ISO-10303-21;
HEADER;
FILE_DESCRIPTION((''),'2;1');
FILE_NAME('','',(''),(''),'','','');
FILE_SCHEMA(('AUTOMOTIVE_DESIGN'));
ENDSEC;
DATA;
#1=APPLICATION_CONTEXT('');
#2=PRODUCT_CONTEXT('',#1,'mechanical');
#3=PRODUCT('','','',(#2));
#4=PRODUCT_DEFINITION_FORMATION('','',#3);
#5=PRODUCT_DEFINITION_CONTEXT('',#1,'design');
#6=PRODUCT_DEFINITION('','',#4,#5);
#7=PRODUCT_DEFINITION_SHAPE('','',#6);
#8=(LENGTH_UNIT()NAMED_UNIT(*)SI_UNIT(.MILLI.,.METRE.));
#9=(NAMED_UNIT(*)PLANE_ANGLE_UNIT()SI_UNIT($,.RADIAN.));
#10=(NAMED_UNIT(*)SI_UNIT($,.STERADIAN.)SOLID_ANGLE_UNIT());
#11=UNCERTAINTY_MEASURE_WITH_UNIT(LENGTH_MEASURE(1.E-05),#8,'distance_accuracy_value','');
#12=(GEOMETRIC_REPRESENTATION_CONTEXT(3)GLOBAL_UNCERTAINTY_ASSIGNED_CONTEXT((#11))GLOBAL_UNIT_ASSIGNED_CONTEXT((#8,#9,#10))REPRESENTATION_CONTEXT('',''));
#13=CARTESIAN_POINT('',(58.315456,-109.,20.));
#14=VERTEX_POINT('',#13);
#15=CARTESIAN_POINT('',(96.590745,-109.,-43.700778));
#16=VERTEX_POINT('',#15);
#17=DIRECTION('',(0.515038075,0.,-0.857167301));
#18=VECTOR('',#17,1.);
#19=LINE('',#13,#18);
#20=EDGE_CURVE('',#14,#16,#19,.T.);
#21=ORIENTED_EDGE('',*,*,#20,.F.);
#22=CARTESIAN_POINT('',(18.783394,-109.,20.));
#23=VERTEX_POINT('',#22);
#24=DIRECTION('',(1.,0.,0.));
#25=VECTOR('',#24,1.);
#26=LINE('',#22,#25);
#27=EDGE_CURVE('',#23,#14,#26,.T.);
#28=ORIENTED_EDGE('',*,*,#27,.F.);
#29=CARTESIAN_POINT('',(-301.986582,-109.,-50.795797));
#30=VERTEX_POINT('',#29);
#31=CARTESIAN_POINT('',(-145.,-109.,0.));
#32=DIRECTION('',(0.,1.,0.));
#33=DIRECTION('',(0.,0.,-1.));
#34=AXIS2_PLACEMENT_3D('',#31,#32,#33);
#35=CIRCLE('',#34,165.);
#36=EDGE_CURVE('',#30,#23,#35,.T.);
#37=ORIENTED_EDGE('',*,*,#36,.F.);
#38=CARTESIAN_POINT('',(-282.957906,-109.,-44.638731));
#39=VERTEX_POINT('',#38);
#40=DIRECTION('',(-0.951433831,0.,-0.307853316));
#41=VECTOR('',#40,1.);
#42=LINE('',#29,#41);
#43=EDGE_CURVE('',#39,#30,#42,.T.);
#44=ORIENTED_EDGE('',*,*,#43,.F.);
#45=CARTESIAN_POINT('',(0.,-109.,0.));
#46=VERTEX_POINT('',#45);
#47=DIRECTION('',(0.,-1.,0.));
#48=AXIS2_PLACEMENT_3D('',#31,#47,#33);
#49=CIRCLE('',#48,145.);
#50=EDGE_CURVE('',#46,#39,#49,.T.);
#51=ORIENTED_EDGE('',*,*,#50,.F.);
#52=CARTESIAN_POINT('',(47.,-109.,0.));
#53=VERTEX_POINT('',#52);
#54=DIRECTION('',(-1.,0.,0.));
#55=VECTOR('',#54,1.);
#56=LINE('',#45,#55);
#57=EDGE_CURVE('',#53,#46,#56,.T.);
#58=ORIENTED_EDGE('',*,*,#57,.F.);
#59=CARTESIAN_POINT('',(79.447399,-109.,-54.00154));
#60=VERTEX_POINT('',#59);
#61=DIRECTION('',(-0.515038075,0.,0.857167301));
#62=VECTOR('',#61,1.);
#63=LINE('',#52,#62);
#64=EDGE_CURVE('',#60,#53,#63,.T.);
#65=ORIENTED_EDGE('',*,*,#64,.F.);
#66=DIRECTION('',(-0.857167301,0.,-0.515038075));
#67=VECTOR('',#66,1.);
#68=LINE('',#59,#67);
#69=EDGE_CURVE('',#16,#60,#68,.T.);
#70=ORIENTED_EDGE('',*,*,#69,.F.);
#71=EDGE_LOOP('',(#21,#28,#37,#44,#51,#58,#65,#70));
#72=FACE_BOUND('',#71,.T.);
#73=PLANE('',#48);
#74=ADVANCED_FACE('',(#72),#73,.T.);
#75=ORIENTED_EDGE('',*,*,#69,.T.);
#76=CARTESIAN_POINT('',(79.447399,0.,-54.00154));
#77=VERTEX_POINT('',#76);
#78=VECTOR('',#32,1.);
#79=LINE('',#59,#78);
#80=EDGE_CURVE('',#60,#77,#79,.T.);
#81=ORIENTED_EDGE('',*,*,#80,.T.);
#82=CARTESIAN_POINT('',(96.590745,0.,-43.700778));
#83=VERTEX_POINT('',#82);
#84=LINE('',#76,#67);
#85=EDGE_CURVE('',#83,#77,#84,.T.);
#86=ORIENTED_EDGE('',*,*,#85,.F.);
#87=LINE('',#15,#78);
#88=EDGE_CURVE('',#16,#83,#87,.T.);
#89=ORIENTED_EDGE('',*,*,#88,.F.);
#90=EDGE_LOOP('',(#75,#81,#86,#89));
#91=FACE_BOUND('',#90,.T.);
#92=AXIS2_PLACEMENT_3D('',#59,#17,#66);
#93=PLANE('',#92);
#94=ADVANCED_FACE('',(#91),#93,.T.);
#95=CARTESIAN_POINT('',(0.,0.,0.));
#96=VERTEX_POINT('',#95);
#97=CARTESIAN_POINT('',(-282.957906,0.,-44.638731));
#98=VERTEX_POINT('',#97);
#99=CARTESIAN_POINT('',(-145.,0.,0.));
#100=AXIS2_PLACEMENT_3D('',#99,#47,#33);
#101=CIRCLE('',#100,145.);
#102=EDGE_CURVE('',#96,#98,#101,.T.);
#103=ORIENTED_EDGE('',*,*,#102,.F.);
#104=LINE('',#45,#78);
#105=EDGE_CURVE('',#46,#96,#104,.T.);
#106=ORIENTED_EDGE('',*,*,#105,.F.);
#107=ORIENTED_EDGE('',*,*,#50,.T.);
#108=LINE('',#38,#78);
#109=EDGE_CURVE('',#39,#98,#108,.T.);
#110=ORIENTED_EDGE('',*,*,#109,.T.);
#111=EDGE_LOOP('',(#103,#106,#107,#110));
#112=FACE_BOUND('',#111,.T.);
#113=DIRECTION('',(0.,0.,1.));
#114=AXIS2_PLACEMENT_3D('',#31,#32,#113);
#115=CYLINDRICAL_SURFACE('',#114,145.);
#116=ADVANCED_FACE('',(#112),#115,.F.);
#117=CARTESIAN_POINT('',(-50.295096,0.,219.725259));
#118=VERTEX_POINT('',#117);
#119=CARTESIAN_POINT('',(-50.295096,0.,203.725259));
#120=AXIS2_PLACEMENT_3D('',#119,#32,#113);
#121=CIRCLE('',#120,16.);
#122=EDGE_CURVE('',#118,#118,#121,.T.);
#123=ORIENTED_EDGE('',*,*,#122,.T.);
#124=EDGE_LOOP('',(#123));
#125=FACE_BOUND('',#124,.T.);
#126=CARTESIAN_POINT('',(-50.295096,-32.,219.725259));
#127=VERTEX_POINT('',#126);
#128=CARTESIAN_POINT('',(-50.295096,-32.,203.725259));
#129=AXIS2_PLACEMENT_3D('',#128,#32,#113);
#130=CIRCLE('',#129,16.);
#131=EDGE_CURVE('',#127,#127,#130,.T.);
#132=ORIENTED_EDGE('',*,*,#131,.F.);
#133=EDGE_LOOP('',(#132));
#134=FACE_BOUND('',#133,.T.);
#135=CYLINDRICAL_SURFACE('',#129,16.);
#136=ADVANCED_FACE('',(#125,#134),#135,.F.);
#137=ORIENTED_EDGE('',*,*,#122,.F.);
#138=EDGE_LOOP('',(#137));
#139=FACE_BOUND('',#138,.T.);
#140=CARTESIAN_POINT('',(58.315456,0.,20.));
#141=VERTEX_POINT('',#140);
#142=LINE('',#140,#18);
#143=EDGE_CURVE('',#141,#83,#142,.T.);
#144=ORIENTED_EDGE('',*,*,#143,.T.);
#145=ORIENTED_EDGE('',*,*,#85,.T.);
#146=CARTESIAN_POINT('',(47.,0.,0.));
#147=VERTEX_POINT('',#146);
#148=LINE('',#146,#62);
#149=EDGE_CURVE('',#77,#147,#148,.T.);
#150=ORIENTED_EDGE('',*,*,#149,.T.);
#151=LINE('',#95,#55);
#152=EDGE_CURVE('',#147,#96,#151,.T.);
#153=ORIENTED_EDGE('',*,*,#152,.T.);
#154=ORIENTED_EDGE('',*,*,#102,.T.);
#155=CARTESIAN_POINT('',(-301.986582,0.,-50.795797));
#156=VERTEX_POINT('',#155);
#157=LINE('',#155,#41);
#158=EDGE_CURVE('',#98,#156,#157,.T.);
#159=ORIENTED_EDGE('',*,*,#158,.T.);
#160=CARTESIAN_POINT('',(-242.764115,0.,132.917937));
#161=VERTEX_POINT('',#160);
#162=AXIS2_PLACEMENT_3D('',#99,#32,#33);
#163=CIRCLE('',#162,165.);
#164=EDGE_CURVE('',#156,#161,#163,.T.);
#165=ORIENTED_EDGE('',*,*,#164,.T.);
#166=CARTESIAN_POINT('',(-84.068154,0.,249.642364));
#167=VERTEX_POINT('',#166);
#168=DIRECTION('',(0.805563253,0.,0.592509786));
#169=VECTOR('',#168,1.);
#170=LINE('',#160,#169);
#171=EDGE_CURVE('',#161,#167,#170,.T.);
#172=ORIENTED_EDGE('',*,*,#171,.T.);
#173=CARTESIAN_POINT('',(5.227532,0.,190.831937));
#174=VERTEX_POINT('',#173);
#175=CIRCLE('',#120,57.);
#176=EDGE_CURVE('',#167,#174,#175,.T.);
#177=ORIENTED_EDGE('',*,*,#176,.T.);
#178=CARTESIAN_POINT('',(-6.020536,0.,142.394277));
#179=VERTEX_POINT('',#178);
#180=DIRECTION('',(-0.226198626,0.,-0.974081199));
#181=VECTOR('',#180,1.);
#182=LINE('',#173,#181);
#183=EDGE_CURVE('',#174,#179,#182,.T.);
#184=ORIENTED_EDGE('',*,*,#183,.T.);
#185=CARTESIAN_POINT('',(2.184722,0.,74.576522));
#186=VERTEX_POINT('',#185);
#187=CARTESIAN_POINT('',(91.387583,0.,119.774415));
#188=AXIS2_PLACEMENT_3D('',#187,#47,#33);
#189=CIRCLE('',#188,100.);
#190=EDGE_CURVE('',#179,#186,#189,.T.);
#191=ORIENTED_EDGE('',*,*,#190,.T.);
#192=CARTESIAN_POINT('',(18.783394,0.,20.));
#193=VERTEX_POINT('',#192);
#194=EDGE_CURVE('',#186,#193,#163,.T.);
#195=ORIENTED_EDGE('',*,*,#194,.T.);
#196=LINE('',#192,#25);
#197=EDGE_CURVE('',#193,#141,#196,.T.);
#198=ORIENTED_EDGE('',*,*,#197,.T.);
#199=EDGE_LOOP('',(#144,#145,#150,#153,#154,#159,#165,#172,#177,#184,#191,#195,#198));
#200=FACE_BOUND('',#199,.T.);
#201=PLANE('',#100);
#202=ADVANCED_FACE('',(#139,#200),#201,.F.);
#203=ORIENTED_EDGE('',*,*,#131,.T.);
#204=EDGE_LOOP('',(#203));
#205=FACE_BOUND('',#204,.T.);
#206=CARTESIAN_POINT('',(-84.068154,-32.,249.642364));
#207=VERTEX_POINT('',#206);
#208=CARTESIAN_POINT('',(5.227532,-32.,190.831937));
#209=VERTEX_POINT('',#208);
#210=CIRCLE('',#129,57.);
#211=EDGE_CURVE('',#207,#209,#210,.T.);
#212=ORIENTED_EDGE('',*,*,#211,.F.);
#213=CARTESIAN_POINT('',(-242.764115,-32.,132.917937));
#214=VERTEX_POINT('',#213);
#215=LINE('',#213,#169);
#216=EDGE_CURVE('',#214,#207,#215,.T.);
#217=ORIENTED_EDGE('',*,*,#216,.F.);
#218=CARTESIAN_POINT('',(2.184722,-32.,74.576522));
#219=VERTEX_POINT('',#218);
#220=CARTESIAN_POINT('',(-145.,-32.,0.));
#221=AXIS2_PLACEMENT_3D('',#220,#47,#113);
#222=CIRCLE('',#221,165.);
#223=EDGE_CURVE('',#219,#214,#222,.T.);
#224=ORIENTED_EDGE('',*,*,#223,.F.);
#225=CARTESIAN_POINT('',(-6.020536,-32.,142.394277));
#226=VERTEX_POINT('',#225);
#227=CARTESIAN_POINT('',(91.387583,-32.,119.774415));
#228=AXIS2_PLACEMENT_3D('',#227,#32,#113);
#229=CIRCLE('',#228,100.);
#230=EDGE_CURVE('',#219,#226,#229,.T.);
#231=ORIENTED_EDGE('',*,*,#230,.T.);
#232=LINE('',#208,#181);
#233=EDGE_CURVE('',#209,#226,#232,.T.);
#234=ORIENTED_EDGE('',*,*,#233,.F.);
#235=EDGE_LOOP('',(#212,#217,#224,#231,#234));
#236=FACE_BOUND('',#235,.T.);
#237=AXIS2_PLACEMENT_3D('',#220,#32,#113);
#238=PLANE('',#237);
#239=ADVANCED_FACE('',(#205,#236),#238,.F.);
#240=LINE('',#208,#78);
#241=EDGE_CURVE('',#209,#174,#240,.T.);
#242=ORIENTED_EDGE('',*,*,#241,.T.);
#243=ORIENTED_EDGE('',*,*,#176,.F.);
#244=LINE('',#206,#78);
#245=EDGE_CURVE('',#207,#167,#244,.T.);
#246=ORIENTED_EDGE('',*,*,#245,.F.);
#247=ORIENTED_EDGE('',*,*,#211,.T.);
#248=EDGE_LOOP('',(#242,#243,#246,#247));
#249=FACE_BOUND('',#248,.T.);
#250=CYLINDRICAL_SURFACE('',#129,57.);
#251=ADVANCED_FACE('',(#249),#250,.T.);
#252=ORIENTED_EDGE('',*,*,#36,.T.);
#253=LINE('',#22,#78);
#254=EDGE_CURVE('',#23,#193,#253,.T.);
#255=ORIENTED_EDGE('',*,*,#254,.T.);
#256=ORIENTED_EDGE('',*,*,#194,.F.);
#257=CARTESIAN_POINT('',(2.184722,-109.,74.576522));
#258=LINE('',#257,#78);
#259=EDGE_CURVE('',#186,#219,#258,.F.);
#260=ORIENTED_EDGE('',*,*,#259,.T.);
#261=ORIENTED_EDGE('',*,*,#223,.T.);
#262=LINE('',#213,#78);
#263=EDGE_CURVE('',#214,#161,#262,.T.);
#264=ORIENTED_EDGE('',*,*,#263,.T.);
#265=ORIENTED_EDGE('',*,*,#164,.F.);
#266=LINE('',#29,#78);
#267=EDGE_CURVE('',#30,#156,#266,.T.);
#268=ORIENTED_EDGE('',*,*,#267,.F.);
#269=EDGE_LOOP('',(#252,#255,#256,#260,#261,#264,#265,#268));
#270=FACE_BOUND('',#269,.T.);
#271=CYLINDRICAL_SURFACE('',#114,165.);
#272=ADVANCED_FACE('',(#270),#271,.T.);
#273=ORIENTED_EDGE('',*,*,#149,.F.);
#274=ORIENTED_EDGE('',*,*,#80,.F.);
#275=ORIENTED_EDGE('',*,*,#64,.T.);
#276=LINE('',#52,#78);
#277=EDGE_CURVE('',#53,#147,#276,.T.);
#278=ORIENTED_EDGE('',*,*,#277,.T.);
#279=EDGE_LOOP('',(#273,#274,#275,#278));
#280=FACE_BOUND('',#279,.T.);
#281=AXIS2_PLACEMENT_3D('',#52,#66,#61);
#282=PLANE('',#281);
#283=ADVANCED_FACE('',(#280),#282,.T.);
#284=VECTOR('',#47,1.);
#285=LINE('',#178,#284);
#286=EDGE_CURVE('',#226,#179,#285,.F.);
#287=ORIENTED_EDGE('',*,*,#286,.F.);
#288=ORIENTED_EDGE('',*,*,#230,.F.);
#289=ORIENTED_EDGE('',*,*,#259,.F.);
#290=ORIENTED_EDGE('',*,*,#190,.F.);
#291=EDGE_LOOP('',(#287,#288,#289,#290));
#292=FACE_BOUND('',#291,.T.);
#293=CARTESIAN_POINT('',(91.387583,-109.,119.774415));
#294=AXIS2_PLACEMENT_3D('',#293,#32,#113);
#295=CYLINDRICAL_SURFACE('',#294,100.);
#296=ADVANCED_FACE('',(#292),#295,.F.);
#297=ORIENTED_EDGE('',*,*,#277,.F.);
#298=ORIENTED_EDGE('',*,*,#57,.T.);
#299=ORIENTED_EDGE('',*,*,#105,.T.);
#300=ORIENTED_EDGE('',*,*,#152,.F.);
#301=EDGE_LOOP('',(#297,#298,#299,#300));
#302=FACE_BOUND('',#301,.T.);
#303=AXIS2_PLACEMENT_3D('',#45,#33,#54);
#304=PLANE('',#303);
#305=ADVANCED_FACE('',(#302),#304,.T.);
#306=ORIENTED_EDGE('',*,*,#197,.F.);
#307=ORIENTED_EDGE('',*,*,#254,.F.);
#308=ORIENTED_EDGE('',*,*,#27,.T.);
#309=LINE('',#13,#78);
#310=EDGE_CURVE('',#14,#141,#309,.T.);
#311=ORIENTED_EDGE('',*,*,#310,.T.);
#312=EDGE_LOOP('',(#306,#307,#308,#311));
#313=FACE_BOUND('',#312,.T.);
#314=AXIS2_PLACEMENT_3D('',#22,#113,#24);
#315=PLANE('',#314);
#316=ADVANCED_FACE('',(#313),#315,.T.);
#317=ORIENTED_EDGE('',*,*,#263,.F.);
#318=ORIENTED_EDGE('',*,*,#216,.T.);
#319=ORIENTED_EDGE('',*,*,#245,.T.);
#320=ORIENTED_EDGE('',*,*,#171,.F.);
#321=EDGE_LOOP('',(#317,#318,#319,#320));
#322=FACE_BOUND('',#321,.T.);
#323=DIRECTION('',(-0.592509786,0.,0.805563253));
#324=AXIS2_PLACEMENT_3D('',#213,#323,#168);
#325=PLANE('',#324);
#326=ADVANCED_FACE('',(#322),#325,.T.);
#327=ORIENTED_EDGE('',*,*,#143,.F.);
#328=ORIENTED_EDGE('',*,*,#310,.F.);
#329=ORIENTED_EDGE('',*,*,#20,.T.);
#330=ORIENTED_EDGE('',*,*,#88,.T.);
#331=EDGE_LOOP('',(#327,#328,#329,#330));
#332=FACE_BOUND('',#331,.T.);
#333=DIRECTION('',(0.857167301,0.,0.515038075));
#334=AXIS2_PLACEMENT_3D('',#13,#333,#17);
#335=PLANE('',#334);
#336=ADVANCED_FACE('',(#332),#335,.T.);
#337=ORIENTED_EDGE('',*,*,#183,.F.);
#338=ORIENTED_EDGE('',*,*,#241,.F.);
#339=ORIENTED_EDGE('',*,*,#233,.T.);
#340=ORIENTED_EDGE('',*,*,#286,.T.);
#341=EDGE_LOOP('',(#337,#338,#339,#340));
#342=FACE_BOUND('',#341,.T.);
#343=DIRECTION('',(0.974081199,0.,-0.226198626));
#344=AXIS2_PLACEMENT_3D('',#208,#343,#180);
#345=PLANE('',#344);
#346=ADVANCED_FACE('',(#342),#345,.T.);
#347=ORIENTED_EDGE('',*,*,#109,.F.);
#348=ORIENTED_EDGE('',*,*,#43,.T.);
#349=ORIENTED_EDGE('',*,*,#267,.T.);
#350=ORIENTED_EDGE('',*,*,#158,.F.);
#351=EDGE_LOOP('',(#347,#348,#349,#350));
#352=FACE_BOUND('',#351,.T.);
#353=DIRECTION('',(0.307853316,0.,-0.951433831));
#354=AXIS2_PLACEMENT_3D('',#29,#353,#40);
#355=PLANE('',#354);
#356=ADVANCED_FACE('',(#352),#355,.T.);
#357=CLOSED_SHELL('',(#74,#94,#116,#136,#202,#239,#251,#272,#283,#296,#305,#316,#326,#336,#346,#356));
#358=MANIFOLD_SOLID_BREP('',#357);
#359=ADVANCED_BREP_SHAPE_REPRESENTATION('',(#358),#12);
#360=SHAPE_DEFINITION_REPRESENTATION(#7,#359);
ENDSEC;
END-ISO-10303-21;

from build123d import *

# Parameters (mm, degrees)
BOSS_EXTRUDE1_DEPTH = 109
BOSS_EXTRUDE2_DEPTH = 32
FILLET1_R           = 100
SKETCH4_R           = 16
CUT_EXTRUDE1_DEPTH  = 32


with BuildPart() as part:
    # Sketch2 → Boss-Extrude1 (new body)
    with BuildSketch(Plane(origin=(0, 0, 0), x_dir=(1, 0, 0), z_dir=(0, 1, 0))):
        with BuildLine():
            Line((0, 0), (47, 0))
            Line((47, 0), (79.447398719, 54.001539944))
            Line((79.447398719, 54.001539944), (96.590744733, 43.700778446))
            Line((96.590744733, 43.700778446), (58.315455564, -20))
            Line((58.315455564, -20), (18.783393542, -20))
            ThreePointArc((18.783393542, -20), (-180.560657841, -161.122436718), (-301.98658219, 50.79579719))
            Line((-301.98658219, 50.79579719), (-282.957905561, 44.638730864))
            ThreePointArc((-282.957905561, 44.638730864), (-167.595394372, -143.228656885), (0, 0))
        make_face()
    extrude(amount=-BOSS_EXTRUDE1_DEPTH)

    # Sketch3 → Boss-Extrude2 (add)
    with BuildSketch(Plane(origin=(0, 0, 0), x_dir=(1, 0, 0), z_dir=(0, 1, 0))):
        with BuildLine():
            Line((-242.764114638, -132.917936671), (-84.068153885, -249.642364452))
            ThreePointArc((-84.068153885, -249.642364452), (-18.943420898, -251.328541106), (5.227532222, -190.83193737))
            Line((5.227532222, -190.83193737), (-15.378785599, -102.094763712))
            ThreePointArc((-15.378785599, -102.094763712), (-122.836162355, -163.504630824), (-242.764114638, -132.917936671))
        make_face()
    extrude(amount=-BOSS_EXTRUDE2_DEPTH)

    # Fillet1
    fillet1_edges = [part.edges().sort_by_distance(p)[0] for p in [
        (-15.378785599, -16, 102.094763712),
    ]]
    fillet(fillet1_edges, radius=FILLET1_R)

    # Sketch4 → Cut-Extrude1 (cut)
    with BuildSketch(Plane(origin=(0, 0, 0), x_dir=(1, 0, 0), z_dir=(0, 1, 0))):
        with Locations(Location((-50.295096101, -203.725259056, 0), (0, 0, 270))):
            Circle(SKETCH4_R)
    extrude(amount=-CUT_EXTRUDE1_DEPTH, mode=Mode.SUBTRACT)


solid = part.part
